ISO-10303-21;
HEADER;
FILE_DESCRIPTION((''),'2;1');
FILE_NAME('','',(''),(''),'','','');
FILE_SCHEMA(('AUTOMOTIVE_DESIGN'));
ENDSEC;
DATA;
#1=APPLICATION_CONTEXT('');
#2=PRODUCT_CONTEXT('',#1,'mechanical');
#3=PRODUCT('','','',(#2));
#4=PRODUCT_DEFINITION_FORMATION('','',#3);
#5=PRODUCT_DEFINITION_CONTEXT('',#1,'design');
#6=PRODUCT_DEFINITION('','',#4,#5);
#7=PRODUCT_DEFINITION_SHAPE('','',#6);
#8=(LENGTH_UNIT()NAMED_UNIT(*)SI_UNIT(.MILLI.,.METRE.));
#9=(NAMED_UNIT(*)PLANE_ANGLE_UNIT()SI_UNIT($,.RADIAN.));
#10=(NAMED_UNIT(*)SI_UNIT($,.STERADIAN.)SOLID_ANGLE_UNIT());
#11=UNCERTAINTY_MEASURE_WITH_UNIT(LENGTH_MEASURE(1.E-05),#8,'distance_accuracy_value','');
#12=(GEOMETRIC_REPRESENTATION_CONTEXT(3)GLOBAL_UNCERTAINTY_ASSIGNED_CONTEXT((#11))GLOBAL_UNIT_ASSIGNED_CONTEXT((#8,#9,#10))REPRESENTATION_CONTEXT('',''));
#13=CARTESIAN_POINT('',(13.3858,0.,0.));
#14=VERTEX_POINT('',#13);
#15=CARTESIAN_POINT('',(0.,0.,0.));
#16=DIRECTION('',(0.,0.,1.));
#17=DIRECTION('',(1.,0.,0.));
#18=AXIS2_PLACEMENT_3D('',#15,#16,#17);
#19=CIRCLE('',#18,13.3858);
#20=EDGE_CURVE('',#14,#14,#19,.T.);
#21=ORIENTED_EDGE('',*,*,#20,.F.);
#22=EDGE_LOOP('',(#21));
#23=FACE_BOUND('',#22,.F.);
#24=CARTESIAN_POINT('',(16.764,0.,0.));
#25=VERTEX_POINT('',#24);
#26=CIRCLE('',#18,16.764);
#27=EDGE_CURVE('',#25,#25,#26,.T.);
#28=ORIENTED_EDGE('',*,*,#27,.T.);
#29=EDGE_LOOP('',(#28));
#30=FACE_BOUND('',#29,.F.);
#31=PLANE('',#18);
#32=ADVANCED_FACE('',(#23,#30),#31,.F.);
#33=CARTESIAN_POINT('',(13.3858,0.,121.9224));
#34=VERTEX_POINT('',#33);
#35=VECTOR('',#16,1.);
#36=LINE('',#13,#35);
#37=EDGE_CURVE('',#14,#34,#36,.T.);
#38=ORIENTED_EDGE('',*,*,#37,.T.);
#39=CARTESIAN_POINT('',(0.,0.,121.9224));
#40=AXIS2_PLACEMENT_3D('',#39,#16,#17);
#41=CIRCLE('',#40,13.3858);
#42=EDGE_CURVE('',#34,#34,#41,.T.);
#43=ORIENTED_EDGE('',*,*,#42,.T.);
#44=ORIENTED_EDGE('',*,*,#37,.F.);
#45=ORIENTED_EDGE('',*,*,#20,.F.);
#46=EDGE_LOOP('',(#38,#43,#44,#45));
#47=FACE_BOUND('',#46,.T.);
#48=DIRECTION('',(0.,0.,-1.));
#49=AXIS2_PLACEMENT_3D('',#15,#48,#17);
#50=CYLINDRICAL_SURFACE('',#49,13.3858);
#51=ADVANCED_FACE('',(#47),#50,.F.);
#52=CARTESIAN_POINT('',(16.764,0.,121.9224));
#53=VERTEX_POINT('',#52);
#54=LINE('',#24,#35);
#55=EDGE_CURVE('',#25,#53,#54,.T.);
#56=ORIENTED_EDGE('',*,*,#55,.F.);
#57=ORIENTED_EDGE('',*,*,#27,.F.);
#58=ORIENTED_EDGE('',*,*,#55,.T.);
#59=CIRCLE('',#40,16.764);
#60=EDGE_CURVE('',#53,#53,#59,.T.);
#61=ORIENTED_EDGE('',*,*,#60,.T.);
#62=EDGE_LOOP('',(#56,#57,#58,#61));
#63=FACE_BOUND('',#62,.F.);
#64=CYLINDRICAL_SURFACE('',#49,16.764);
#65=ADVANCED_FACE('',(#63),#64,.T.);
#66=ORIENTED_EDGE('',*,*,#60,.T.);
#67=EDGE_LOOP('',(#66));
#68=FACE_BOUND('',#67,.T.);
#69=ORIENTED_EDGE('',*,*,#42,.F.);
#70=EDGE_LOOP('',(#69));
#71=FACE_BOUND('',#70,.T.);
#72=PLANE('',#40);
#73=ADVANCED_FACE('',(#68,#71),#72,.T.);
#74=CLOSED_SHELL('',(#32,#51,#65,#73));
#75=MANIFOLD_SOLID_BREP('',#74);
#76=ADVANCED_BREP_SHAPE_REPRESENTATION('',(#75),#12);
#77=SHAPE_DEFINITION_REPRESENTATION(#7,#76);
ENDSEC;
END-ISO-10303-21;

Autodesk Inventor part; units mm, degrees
ref_plane "YZ Plane" through (0, 0, 0) normal (1, 0, 0) x (0, 1, 0)
ref_plane "Start plane" through (0, 0, 0) normal (0, 0, 1) x (1, 0, 0)
ref_plane "End plane" through (0, 0, 121.9224) normal (0, 0, 1) x (1, 0, 0)
sketch "Sketch" plane through (0, 0, 0) normal (0, 0, 1) x (1, 0, 0)
  circle A0 centre (0, 0) radius 13.3858
  circle A1 centre (0, 0) radius 16.764
  dimension "d0" = 33.528
  dimension "d1" = 3.3782
extrude "Body" add sketch "Sketch" along normal up to surface (121.9224 mm away) from surface at 0
sketch "Sketch3" plane through (0, 0, 0) normal (0, 0, 1) x (1, 0, 0)
  line L0 (0, 0) -> (10, 0)
ref_plane "Work Plane3" through (0, 0, 0) normal (0, -1, 0) x (1, 0, 0)
sketch "Sketch4" plane through (0, 0, 0) normal (0, -1, 0) x (1, 0, 0)
  line L0 (-2, 0) -> (12, 0) projected
  line L1 (-2, 121.9224) -> (12, 121.9224) projected
  dimension "d7" = 121.9224
equation "\"d0\" = G_H"
equation "\"d1\" = G_T"
equation "\"d2\" = G_L"
equation "\"G_H\" = 33.528"
equation "\"G_T\" = 3.3782"
equation "\"G_L\" = d7"
equation "\"G_OFFSET_START\" = 0"
equation "\"G_OFFSET_END\" = 0"
equation "\"d5\" = G_OFFSET_END + B_L"
equation "\"B_L\" = 121.92236"
properties part number "ANSI - 1 x 0.133 - 4.8" material "Steel, Mild"
